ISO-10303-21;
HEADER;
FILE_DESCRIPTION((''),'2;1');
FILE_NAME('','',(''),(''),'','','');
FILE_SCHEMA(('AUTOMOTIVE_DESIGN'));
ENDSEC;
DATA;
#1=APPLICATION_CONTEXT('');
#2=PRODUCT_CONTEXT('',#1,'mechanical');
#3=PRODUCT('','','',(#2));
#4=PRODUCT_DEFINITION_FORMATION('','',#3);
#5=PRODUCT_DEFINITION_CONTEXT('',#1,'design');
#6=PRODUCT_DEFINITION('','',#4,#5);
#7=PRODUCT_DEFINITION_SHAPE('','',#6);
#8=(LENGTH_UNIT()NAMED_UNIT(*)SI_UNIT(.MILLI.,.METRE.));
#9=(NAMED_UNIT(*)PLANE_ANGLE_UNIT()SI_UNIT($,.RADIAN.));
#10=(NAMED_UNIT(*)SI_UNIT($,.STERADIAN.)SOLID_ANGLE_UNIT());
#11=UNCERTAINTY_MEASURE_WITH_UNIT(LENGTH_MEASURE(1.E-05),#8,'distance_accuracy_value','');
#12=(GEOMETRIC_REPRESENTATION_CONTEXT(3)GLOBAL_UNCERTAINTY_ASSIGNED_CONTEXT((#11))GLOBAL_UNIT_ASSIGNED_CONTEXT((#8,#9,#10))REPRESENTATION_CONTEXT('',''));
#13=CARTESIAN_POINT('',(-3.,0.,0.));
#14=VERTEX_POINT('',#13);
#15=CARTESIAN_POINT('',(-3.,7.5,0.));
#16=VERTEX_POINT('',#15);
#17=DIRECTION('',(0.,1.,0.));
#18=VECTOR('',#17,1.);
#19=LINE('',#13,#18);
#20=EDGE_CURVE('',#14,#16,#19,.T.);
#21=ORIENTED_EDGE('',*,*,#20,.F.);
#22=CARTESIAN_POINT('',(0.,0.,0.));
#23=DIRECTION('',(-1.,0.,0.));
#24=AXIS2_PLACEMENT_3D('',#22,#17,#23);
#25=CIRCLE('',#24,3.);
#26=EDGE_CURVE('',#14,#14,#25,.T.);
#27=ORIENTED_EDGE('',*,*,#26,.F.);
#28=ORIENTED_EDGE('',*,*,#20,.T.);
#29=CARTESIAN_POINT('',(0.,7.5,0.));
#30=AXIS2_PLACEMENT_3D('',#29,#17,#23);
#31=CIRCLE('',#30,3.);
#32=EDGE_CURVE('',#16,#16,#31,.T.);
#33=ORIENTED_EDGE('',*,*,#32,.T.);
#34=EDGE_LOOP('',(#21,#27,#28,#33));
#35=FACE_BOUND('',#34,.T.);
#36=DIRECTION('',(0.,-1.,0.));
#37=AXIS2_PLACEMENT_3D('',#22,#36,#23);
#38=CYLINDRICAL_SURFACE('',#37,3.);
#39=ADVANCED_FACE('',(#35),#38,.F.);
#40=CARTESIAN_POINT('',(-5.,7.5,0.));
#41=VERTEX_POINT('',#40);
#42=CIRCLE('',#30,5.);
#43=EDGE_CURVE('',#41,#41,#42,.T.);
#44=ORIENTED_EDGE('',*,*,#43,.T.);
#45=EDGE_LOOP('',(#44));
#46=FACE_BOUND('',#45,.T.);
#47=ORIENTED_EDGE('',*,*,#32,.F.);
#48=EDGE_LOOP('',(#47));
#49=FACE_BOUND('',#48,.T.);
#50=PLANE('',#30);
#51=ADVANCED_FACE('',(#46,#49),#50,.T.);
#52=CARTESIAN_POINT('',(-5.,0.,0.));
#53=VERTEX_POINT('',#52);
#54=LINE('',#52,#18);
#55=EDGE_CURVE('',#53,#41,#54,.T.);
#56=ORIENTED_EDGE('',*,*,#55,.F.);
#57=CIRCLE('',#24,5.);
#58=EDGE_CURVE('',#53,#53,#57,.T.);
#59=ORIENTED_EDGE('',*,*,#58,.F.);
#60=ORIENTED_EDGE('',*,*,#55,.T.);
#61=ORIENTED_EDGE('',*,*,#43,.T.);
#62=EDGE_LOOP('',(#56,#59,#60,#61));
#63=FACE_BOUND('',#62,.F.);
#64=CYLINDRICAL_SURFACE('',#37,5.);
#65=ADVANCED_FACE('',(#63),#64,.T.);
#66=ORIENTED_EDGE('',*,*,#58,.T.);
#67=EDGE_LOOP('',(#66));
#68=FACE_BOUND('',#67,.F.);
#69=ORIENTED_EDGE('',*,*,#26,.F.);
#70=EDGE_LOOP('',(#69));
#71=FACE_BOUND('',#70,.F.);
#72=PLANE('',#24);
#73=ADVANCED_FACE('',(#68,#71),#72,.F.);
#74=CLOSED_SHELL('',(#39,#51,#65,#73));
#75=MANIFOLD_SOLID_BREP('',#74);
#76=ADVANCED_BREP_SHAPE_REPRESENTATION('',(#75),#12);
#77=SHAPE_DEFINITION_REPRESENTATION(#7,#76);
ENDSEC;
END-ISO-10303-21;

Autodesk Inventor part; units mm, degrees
ref_plane "YZ Plane" through (0, 0, 0) normal (1, 0, 0) x (0, 1, 0)
ref_plane "XZ Plane" through (0, 0, 0) normal (0, 1, 0) x (-1, 0, 0)
ref_plane "XY Plane" through (0, 0, 0) normal (0, 0, 1) x (1, 0, 0)
sketch "Szkic1" plane through (0, 0, 0) normal (0, 1, 0) x (-1, 0, 0)
  circle A0 centre (0, 0) radius 3
  circle A1 centre (0, 0) radius 5
  dimension "d0" = 6
  dimension "d1" = 10
extrude "Wyciągnięcie proste1" add sketch "Szkic1" along normal blind 7.5
properties part number "tuleja_M6_M10_7,5"
